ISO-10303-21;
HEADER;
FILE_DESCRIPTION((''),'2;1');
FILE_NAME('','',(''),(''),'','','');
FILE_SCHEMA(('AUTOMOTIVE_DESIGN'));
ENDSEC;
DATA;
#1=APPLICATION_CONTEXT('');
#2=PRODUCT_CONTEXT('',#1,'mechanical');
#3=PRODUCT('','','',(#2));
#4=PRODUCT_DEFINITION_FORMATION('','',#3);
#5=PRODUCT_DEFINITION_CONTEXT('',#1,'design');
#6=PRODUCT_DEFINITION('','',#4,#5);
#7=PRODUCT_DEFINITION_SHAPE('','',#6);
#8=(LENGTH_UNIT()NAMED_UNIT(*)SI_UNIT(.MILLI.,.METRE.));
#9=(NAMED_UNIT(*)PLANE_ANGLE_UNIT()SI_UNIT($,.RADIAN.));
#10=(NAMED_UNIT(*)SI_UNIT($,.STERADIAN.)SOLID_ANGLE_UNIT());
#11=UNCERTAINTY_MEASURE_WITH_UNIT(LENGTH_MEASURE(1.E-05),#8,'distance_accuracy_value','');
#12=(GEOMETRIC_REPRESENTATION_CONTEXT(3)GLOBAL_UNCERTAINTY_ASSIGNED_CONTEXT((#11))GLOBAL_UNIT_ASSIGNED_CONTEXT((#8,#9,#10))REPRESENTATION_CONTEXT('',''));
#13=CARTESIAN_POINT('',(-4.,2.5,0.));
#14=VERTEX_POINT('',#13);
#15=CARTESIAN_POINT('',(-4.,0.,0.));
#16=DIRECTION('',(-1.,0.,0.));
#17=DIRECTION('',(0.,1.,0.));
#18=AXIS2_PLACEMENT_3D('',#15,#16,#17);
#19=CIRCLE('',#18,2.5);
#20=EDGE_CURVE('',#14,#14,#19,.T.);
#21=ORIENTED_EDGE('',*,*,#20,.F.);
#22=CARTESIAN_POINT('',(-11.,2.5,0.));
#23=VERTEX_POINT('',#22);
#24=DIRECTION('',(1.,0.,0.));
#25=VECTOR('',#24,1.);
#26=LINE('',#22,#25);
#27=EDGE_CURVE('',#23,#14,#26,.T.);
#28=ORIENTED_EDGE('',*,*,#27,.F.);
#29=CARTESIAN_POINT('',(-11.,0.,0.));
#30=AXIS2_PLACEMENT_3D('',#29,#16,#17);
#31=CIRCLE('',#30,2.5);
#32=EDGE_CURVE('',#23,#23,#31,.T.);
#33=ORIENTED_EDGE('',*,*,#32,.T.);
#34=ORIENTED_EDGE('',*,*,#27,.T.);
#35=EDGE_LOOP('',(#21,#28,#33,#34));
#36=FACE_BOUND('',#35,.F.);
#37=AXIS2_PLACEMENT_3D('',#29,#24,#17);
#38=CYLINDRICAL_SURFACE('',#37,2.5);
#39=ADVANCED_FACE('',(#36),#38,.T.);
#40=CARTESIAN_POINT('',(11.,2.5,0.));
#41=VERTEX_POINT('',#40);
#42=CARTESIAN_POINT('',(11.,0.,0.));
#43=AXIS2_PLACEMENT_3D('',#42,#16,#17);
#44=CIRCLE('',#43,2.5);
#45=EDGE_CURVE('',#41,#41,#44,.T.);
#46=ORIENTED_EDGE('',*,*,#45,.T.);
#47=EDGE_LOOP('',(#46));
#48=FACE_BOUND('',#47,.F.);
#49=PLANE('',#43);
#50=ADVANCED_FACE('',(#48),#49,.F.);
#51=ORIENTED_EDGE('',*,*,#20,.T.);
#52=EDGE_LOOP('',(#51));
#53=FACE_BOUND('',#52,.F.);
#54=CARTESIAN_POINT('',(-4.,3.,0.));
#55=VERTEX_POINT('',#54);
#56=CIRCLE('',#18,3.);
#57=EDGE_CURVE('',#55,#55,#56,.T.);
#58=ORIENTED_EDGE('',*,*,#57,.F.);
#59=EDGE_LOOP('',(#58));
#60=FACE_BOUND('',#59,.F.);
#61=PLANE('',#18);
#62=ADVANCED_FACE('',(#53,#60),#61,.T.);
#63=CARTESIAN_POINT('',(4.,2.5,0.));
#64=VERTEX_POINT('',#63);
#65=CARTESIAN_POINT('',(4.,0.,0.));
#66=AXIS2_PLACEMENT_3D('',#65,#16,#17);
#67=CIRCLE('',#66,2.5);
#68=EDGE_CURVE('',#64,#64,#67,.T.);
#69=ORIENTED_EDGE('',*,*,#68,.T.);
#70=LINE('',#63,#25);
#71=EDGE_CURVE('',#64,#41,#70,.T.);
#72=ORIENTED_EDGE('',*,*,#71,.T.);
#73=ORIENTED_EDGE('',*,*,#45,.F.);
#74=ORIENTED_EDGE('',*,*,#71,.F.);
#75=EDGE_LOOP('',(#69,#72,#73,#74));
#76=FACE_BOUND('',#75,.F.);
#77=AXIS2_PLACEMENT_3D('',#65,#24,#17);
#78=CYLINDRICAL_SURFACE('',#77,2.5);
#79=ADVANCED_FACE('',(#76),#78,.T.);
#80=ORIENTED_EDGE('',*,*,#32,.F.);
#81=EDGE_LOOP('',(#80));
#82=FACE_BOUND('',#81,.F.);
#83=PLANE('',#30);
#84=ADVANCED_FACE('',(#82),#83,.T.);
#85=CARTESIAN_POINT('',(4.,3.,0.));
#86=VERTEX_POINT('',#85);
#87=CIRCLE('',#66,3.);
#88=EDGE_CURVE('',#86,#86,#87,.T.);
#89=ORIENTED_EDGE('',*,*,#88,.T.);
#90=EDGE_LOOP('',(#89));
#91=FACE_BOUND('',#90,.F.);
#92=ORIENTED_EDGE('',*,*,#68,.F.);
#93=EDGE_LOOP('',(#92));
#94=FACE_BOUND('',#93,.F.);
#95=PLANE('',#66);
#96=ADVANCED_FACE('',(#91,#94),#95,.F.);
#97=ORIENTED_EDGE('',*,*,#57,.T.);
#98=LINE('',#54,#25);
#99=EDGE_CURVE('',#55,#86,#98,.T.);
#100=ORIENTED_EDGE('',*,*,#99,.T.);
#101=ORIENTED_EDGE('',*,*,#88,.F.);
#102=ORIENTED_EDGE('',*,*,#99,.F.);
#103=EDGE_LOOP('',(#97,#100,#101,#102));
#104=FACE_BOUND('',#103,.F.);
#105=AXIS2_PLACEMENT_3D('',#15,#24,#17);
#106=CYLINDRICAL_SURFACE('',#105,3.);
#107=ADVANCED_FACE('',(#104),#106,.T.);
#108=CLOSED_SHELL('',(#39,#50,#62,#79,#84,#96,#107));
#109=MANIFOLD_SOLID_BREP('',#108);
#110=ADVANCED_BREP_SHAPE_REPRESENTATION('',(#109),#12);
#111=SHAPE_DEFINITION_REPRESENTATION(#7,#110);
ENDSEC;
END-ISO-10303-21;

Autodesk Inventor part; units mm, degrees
ref_plane "YZ Plane" through (0, 0, 0) normal (1, 0, 0) x (0, 1, 0)
ref_plane "XZ Plane" through (0, 0, 0) normal (0, 1, 0) x (-1, 0, 0)
ref_plane "XY Plane" through (0, 0, 0) normal (0, 0, 1) x (1, 0, 0)
sketch "Sketch1" plane through (0, 0, 0) normal (0, 0, 1) x (1, 0, 0)
  line L0 (-11, 0) -> (-11, 2.5)
  line L1 (-11, 2.5) -> (-4, 2.5)
  line L2 (-4, 2.5) -> (-4, 3)
  line L3 (-4, 3) -> (4, 3)
  line L4 (4, 3) -> (4, 2.5)
  line L5 (4, 2.5) -> (11, 2.5)
  line L6 (11, 2.5) -> (11, 0)
  line L7 (11, 0) -> (-11, 0)
  point P0 (0, 0)
  point P1 (0, 0)
  dimension "d0" = 5
  dimension "d1" = 6
  dimension "d2" = 7
  dimension "d3" = 7
  dimension "d4" = 8
revolve "Revolution1" add sketch "Sketch1" angle 360 about axis through (11, 0, 0) along (-1, 0, 0)
properties part number "welle 6"
